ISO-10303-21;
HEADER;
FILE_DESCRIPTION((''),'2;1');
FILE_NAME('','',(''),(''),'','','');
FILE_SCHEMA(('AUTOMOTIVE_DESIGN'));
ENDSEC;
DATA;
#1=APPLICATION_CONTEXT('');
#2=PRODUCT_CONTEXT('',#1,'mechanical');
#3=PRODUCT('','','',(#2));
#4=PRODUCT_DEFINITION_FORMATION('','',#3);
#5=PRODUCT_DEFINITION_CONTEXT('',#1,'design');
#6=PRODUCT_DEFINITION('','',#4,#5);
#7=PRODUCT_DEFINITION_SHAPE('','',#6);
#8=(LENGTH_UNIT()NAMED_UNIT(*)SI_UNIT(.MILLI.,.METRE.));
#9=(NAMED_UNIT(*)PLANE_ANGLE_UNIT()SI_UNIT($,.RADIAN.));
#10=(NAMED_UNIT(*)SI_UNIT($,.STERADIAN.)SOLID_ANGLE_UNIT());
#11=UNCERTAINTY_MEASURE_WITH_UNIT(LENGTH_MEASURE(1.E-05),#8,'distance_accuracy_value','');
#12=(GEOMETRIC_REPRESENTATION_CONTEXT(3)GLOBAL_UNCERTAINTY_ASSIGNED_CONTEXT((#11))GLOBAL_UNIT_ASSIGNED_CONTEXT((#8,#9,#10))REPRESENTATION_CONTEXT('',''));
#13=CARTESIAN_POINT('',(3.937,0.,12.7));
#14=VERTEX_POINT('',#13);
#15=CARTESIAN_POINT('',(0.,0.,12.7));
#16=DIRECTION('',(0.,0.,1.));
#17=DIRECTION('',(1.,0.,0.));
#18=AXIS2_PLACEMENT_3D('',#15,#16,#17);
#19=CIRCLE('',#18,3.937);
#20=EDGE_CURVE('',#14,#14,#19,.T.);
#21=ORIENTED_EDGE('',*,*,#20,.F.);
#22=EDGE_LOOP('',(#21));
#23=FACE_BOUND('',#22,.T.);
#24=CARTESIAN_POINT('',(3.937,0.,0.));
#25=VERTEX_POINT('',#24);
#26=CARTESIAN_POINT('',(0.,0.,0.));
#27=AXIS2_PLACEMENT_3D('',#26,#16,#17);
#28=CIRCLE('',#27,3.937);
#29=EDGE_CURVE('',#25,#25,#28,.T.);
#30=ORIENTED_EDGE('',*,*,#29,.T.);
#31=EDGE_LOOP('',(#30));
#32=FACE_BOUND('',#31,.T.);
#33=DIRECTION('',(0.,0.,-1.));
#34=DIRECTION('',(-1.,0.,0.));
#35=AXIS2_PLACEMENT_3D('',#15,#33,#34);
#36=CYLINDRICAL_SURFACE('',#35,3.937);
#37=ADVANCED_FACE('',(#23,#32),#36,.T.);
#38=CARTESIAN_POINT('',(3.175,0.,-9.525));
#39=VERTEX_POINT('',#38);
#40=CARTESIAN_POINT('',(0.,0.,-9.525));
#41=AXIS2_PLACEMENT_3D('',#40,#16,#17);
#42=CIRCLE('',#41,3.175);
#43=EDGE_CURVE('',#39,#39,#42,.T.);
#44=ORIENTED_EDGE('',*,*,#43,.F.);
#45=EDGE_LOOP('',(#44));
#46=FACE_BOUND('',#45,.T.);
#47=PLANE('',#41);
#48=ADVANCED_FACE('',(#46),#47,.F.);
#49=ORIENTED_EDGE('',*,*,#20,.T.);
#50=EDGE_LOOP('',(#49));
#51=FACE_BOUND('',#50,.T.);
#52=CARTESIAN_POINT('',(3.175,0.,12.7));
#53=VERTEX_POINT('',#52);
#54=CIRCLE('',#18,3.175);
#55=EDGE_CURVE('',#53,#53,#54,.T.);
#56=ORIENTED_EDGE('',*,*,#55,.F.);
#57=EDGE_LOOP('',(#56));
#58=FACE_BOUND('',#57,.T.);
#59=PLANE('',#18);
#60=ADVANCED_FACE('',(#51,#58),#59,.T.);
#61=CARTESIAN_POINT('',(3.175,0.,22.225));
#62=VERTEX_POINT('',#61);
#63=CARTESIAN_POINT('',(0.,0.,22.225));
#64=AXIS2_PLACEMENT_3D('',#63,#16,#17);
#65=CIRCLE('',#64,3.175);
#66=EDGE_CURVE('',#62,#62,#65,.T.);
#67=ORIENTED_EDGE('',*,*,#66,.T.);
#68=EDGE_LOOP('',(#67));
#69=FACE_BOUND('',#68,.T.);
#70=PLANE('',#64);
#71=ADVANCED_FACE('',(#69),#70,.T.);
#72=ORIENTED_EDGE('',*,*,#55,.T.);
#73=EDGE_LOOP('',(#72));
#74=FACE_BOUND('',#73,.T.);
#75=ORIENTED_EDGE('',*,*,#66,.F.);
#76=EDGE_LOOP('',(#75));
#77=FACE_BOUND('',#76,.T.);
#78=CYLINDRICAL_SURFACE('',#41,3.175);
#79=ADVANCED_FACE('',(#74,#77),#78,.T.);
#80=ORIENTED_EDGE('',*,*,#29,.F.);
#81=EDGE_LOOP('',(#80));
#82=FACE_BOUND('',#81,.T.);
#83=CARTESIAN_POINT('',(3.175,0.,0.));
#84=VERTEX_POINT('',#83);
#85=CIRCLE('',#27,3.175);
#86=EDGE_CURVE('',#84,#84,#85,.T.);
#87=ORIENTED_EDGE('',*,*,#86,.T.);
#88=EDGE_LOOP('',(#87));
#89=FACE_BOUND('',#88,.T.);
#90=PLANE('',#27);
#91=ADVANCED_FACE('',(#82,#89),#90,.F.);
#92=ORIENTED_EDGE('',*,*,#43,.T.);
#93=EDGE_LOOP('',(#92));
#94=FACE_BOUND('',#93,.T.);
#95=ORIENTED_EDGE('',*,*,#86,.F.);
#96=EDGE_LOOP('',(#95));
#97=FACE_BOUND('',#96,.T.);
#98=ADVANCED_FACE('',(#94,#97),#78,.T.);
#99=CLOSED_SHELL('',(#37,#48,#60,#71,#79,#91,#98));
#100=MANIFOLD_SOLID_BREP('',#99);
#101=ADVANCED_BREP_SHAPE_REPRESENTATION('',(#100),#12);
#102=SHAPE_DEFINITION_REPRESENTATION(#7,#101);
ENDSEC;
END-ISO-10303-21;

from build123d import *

# Parameters (mm, degrees)
SKETCH1_R                = 3.937
BOSS_EXTRUDE1_DEPTH      = 12.7
BOSS_EXTRUDE2_DEPTH      = 9.525
BOSS_EXTRUDE2_DEPTH_BACK = 22.225
SKETCH2_R                = 3.175


with BuildPart() as part:
    # Sketch1 → Boss-Extrude1 (new body)
    with BuildSketch(Plane.XY):
        Circle(SKETCH1_R)
    extrude(amount=BOSS_EXTRUDE1_DEPTH)

    # Sketch2 → Boss-Extrude2 (add, two sides: drawn at the far end of the back side and taken through both)
    with BuildSketch(Plane.XY.offset(12.7).offset(-BOSS_EXTRUDE2_DEPTH_BACK)):
        Circle(SKETCH2_R)
    extrude(amount=BOSS_EXTRUDE2_DEPTH + BOSS_EXTRUDE2_DEPTH_BACK)


solid = part.part
